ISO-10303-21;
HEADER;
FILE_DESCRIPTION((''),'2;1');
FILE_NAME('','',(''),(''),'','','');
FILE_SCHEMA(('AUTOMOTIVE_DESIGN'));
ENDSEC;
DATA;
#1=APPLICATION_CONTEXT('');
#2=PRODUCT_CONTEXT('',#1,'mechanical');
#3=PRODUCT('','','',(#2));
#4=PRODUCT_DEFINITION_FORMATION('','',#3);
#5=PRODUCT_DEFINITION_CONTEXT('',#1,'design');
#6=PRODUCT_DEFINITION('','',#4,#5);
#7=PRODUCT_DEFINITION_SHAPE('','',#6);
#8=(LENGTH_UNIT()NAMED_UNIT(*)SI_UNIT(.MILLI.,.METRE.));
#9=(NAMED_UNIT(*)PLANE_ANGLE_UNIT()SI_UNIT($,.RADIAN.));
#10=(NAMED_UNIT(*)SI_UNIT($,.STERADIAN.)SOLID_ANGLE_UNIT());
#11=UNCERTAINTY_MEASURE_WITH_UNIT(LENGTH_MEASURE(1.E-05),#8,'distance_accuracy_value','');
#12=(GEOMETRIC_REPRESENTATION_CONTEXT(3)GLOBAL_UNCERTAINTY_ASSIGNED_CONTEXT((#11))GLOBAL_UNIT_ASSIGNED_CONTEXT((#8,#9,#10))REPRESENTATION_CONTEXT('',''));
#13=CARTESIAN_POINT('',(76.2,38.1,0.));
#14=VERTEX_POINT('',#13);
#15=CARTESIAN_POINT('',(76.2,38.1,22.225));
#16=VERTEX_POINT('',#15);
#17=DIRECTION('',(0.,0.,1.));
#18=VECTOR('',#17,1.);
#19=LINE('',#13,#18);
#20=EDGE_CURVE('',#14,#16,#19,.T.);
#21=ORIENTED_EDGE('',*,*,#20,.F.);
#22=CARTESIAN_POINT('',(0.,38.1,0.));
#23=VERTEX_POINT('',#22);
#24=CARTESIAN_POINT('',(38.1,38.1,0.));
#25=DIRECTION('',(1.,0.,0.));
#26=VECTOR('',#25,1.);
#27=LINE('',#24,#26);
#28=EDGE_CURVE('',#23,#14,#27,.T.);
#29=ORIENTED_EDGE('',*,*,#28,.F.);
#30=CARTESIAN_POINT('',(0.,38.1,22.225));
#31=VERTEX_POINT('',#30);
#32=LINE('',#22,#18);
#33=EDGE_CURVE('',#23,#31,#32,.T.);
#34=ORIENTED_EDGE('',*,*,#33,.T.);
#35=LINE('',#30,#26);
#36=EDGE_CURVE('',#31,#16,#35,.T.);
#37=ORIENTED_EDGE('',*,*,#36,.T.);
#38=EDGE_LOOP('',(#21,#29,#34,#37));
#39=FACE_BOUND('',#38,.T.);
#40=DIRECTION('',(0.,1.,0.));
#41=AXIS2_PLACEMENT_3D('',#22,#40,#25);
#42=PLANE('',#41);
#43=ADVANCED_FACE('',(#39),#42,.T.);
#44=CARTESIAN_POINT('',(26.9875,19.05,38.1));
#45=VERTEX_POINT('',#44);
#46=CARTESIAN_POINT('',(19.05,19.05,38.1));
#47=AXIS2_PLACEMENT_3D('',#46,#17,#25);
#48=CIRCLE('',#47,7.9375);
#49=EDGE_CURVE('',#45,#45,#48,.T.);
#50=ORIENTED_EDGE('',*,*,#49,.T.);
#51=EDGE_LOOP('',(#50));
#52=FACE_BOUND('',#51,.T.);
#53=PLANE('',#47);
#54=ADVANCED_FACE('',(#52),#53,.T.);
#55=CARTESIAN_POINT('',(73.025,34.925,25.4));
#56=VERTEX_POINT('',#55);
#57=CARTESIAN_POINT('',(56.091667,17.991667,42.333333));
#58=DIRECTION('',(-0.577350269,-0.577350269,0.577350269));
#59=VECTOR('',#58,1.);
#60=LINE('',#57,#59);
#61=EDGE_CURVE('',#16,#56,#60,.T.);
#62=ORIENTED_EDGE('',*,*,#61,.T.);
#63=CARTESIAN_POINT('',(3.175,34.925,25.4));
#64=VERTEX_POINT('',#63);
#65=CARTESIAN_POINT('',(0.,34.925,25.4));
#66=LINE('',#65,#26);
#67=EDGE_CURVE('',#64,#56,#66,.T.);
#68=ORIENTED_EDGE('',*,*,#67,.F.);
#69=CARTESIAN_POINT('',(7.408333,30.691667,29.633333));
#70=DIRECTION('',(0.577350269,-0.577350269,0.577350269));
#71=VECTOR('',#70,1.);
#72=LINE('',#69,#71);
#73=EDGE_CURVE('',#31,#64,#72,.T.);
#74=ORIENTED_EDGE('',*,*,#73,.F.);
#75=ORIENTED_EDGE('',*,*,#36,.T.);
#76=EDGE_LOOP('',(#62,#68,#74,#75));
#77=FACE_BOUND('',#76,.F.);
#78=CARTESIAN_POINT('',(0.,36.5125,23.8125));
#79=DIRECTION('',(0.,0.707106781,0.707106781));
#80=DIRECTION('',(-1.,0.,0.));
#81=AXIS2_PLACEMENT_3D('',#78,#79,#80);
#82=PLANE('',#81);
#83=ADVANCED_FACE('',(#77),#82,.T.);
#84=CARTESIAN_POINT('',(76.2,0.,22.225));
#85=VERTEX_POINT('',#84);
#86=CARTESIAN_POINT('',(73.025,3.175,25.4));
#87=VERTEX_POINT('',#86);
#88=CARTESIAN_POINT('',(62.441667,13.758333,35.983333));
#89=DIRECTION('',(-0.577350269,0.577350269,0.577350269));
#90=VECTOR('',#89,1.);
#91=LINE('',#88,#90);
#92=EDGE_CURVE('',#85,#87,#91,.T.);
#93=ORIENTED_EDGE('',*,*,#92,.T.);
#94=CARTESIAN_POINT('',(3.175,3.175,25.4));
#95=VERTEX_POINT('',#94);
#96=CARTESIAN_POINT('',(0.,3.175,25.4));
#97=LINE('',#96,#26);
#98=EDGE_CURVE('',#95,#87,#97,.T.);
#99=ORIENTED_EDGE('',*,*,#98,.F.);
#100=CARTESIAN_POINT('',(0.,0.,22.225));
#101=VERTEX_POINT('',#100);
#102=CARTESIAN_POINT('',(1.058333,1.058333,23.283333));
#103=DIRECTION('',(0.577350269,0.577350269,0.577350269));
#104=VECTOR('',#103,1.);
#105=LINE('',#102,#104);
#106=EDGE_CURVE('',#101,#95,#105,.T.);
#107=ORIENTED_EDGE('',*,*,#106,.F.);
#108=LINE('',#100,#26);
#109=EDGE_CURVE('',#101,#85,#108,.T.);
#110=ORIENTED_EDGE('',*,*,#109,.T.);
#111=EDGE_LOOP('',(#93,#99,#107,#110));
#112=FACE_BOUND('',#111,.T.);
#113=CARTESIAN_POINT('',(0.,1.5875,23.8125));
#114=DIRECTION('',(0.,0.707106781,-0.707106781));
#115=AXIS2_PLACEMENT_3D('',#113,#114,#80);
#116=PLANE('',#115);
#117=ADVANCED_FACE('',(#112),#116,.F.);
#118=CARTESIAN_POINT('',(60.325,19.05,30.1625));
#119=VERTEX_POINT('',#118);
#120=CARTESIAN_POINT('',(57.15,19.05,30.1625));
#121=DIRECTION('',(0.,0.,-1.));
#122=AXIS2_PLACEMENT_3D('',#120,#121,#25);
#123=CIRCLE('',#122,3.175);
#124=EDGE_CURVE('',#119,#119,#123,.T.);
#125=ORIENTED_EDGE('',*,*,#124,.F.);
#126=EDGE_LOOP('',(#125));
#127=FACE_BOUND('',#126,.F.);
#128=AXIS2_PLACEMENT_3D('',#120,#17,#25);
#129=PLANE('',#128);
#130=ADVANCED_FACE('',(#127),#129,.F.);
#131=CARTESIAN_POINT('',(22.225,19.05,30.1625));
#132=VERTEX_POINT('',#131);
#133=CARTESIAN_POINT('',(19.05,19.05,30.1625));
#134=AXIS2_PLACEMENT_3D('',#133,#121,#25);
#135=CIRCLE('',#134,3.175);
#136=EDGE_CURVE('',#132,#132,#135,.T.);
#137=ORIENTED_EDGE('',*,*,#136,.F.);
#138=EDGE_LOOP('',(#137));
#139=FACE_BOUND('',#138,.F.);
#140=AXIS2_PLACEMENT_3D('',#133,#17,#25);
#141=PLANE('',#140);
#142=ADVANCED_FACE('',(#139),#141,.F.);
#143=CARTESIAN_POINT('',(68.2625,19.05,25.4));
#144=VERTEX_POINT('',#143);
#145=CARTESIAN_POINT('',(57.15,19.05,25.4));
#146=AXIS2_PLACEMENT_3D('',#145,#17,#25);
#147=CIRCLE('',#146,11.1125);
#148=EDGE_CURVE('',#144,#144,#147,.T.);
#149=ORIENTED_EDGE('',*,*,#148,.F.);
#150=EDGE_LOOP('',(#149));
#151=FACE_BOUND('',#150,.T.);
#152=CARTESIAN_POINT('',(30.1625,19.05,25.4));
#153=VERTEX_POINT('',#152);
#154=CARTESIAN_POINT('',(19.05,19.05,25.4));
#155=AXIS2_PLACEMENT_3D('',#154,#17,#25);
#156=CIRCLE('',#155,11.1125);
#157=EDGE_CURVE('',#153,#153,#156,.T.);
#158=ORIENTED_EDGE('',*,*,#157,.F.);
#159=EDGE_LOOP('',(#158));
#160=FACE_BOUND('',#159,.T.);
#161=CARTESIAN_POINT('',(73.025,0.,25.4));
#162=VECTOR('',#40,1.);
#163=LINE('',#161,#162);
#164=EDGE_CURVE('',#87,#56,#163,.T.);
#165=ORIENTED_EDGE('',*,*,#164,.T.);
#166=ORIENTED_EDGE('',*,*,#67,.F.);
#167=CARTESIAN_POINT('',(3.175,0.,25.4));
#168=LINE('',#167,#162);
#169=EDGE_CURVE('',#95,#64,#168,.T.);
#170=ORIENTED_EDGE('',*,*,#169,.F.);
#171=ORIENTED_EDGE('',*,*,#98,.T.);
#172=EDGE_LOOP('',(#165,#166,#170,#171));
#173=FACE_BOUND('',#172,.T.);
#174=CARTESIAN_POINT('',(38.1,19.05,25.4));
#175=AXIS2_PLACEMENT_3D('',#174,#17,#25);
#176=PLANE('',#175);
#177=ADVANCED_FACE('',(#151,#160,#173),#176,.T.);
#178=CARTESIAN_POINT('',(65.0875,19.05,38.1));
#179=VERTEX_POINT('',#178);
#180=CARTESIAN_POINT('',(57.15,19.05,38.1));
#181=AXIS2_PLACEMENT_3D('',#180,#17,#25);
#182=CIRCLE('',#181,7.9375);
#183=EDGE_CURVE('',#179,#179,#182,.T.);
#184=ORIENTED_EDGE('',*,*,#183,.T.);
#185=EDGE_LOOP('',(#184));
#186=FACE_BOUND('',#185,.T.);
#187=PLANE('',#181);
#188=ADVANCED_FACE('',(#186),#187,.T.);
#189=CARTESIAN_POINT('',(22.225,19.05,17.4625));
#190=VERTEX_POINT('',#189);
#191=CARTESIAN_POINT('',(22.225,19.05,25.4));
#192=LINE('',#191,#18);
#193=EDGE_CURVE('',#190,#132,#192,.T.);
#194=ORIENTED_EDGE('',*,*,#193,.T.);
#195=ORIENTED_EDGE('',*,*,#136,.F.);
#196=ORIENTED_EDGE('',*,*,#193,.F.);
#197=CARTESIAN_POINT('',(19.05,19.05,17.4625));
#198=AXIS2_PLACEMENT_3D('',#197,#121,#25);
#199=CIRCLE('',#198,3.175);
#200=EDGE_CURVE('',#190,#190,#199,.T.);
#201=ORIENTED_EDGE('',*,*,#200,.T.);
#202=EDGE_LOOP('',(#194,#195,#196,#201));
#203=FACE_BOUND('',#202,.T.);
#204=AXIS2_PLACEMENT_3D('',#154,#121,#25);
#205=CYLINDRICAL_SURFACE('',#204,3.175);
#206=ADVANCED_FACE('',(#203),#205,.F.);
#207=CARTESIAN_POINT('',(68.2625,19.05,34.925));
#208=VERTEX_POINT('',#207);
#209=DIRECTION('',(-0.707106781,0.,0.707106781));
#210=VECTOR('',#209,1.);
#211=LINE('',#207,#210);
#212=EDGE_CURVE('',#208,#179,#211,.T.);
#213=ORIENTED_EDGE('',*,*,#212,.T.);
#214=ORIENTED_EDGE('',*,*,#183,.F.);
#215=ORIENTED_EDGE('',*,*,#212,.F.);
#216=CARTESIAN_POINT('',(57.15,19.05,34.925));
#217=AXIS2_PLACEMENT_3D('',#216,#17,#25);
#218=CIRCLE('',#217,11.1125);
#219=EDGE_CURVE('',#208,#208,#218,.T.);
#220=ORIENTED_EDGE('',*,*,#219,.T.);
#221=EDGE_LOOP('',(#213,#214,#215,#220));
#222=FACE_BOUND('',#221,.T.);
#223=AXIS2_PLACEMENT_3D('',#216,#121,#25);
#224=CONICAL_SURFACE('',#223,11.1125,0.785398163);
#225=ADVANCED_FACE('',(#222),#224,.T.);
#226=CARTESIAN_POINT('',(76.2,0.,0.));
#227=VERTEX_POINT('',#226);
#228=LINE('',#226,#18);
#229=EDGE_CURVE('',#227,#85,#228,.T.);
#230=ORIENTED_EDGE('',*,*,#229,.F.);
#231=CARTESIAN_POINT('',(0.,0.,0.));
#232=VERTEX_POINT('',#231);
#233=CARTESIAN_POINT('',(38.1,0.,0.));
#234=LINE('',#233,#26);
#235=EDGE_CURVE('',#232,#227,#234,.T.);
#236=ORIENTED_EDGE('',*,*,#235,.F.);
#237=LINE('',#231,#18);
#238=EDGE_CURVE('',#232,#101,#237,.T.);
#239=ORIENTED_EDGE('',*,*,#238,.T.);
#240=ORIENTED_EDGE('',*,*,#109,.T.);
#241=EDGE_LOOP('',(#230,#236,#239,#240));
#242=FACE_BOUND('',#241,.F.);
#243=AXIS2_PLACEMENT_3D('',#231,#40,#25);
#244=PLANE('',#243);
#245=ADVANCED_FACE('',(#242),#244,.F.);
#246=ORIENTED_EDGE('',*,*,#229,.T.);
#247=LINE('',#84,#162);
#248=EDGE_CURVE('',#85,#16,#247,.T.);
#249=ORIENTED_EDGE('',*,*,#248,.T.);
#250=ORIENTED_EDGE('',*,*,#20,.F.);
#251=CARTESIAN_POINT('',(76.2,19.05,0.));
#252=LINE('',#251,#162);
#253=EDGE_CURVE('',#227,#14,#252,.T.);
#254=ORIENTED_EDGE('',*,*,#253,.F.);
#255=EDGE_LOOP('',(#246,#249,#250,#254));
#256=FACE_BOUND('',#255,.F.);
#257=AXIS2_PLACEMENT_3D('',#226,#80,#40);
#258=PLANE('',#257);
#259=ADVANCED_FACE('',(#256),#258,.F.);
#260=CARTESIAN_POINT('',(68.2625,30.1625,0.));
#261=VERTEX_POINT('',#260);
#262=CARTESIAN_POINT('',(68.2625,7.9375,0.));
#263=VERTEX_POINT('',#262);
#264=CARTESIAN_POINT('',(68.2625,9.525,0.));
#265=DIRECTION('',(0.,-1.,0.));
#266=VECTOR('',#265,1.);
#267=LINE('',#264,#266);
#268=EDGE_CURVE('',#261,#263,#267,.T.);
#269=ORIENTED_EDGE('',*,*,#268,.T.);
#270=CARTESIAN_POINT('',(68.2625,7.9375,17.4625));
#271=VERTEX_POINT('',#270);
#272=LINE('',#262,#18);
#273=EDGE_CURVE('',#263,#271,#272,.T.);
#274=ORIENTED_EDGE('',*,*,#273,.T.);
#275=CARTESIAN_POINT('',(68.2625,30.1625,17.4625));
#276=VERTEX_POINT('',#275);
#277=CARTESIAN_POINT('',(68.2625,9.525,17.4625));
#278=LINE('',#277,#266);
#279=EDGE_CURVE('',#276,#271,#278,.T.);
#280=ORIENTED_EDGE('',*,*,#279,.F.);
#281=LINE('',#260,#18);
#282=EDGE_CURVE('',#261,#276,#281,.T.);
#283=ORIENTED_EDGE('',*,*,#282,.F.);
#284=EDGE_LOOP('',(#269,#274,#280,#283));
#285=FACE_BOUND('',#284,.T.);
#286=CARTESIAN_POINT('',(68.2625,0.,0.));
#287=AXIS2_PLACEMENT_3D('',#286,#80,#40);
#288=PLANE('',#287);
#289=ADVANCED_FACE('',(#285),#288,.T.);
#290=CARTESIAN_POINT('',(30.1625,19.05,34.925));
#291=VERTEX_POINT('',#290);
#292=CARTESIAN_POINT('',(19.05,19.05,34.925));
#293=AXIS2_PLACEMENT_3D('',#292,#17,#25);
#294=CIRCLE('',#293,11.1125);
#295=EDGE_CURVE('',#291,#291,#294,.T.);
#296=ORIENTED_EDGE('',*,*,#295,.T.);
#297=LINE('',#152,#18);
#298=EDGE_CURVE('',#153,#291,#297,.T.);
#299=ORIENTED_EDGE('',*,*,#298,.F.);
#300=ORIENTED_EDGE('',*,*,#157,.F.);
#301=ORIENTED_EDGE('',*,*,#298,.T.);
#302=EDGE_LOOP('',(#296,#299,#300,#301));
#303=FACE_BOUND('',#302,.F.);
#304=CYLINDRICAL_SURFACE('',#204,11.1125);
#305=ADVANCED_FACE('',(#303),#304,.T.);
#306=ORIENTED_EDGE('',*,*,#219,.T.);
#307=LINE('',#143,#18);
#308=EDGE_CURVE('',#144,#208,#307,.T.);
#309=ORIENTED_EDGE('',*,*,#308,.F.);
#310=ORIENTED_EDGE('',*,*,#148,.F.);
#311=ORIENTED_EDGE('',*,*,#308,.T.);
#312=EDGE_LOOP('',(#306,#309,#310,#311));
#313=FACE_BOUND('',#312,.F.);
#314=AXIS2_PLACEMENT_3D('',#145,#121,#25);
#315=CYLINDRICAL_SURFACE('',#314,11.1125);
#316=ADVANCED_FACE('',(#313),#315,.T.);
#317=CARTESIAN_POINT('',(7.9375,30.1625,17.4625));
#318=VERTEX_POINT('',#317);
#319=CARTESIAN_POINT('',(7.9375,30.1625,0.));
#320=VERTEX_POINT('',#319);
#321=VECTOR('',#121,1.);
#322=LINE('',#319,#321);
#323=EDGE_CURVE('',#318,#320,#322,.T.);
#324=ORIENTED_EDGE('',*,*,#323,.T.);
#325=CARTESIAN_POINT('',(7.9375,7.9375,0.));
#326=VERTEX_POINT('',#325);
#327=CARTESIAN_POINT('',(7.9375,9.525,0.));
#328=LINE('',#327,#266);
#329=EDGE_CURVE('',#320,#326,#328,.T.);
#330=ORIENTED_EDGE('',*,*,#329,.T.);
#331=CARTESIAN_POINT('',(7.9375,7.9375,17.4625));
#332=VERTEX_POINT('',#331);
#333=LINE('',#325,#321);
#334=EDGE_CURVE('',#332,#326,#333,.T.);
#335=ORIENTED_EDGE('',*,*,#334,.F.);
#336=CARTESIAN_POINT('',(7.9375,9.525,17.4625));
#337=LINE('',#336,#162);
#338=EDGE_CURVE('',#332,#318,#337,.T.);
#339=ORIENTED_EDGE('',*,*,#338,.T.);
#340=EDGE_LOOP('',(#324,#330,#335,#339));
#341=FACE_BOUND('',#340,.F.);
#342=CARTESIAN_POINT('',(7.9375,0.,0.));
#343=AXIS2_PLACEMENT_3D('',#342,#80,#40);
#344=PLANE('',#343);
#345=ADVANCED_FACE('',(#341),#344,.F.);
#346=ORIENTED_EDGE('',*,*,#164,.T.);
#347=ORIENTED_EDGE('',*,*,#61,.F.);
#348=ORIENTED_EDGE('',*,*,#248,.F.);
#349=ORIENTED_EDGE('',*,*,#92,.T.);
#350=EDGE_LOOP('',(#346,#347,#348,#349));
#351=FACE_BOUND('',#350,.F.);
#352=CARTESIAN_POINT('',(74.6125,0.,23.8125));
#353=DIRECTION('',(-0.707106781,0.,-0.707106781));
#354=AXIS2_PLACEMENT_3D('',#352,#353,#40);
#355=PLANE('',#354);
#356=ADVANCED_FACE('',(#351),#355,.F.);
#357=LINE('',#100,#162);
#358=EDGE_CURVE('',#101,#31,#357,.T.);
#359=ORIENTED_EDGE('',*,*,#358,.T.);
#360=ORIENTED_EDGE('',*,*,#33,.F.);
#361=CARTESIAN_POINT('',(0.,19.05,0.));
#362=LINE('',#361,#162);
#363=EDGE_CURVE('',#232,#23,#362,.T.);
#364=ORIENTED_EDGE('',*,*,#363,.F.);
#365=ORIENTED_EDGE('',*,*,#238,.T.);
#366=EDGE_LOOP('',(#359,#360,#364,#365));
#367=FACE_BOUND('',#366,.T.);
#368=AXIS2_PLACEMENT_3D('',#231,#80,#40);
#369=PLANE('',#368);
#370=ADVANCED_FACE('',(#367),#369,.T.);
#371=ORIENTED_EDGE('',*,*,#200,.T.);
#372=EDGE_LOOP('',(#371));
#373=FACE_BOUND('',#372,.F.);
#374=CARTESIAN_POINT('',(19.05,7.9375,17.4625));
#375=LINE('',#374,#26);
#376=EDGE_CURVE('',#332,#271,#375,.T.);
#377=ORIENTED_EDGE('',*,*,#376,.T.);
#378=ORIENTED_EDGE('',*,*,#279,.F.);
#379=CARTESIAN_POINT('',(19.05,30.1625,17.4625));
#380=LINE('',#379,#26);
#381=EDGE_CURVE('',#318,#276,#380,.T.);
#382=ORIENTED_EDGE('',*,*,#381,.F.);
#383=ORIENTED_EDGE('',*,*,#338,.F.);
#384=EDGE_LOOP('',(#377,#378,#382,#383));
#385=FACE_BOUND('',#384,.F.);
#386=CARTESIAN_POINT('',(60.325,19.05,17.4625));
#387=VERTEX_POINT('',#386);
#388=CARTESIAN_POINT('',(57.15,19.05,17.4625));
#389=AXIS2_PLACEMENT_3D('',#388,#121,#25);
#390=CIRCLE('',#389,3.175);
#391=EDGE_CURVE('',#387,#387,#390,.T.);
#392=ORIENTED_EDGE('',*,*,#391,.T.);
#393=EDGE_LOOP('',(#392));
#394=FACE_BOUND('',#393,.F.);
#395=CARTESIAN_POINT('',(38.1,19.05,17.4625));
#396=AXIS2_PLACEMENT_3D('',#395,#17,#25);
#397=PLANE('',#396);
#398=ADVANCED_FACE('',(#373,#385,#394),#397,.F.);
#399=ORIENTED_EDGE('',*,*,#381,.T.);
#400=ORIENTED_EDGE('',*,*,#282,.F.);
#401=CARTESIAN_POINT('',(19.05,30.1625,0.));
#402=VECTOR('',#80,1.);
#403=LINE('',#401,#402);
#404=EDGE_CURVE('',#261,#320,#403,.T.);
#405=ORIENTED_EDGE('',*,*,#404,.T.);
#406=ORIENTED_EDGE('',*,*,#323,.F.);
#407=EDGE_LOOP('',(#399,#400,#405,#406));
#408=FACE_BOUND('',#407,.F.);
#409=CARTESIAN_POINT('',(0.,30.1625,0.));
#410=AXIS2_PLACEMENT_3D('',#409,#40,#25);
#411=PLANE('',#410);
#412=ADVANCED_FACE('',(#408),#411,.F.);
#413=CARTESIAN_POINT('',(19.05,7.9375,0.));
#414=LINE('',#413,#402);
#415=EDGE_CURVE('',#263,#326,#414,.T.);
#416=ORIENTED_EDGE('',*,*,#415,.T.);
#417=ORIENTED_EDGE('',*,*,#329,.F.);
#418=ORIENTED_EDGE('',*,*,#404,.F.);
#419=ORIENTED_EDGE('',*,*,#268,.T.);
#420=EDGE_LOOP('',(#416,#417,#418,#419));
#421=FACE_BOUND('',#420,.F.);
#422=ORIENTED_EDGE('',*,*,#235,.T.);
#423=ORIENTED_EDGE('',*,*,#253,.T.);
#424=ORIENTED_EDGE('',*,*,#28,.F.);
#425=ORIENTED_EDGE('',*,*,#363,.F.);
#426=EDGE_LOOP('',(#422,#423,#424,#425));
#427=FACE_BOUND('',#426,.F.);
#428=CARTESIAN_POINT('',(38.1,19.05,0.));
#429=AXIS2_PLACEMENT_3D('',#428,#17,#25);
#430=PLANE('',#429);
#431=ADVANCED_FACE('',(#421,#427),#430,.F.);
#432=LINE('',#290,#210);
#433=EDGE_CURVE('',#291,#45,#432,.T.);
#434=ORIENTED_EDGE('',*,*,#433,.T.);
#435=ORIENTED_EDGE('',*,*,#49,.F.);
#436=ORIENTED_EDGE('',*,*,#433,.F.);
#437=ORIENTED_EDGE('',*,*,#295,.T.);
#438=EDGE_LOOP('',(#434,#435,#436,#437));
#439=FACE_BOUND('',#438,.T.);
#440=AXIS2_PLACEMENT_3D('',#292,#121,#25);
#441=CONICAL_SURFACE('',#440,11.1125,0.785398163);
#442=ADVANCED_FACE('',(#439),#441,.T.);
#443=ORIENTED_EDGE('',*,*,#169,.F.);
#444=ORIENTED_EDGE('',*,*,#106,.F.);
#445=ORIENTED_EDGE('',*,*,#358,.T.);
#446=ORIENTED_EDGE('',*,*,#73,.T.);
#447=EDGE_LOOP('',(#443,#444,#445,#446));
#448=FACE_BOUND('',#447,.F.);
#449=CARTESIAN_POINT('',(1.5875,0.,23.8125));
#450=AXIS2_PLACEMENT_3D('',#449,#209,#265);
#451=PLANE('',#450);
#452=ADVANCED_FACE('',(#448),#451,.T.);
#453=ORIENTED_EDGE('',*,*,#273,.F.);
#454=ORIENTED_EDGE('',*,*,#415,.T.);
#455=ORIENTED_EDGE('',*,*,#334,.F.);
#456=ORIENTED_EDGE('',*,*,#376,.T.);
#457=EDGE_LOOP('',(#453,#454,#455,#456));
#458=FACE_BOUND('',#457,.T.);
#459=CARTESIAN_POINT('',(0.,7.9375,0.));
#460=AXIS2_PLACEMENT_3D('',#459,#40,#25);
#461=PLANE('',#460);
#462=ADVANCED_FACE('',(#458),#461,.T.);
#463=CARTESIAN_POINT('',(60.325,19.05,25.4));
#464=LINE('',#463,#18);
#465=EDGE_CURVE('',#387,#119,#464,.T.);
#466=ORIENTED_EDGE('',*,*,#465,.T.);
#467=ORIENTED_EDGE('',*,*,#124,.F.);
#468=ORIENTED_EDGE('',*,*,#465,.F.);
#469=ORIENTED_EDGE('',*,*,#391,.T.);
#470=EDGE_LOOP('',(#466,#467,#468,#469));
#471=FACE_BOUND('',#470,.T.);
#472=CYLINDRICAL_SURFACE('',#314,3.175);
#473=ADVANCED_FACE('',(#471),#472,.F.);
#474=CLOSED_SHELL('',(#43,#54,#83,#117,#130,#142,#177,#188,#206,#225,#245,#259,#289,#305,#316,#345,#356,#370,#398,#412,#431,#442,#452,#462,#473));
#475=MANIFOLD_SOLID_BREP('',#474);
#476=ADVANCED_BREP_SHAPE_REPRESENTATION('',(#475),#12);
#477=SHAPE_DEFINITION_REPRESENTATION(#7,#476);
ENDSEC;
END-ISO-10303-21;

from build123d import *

# Parameters (mm, degrees)
F0_W     = 76.2
F0_H     = 38.1
F1_DEPTH = 25.4
F2_R     = 11.1125
F3_DEPTH = 12.7
F4_T     = -7.9375
F5_SIZE2 = 3.175
F5_SIZE  = 3.175


with BuildPart() as f1:
    # F0 (on Top) → F1 (new body)
    with BuildSketch(Plane.XY):
        with Locations((38.1, 19.05)):
            Rectangle(F0_W, F0_H)
    extrude(amount=F1_DEPTH)

    # F2 (on face) → F3 (join)
    with BuildSketch(Plane.XY.offset(25.4)):
        with Locations((19.05, 19.05)):
            Circle(F2_R)
        with Locations((57.15, 19.05)):
            Circle(F2_R)
    extrude(amount=F3_DEPTH)

    # F4
    f4_openings = [f1.faces().sort_by_distance(p)[0] for p in [
        (38.1, 19.05, 0),
    ]]
    offset(amount=F4_T, openings=f4_openings, kind=Kind.INTERSECTION)

    # F5
    f5_edges = [f1.edges().sort_by_distance(p)[0] for p in [
        (7.9375, 19.05, 38.1),
        (46.0375, 19.05, 38.1),
        (38.1, 0, 25.4),
        (38.1, 38.1, 25.4),
        (0, 19.05, 25.4),
        (76.2, 19.05, 25.4),
    ]]
    chamfer(f5_edges, length=F5_SIZE, length2=F5_SIZE2)


solid = f1.part
